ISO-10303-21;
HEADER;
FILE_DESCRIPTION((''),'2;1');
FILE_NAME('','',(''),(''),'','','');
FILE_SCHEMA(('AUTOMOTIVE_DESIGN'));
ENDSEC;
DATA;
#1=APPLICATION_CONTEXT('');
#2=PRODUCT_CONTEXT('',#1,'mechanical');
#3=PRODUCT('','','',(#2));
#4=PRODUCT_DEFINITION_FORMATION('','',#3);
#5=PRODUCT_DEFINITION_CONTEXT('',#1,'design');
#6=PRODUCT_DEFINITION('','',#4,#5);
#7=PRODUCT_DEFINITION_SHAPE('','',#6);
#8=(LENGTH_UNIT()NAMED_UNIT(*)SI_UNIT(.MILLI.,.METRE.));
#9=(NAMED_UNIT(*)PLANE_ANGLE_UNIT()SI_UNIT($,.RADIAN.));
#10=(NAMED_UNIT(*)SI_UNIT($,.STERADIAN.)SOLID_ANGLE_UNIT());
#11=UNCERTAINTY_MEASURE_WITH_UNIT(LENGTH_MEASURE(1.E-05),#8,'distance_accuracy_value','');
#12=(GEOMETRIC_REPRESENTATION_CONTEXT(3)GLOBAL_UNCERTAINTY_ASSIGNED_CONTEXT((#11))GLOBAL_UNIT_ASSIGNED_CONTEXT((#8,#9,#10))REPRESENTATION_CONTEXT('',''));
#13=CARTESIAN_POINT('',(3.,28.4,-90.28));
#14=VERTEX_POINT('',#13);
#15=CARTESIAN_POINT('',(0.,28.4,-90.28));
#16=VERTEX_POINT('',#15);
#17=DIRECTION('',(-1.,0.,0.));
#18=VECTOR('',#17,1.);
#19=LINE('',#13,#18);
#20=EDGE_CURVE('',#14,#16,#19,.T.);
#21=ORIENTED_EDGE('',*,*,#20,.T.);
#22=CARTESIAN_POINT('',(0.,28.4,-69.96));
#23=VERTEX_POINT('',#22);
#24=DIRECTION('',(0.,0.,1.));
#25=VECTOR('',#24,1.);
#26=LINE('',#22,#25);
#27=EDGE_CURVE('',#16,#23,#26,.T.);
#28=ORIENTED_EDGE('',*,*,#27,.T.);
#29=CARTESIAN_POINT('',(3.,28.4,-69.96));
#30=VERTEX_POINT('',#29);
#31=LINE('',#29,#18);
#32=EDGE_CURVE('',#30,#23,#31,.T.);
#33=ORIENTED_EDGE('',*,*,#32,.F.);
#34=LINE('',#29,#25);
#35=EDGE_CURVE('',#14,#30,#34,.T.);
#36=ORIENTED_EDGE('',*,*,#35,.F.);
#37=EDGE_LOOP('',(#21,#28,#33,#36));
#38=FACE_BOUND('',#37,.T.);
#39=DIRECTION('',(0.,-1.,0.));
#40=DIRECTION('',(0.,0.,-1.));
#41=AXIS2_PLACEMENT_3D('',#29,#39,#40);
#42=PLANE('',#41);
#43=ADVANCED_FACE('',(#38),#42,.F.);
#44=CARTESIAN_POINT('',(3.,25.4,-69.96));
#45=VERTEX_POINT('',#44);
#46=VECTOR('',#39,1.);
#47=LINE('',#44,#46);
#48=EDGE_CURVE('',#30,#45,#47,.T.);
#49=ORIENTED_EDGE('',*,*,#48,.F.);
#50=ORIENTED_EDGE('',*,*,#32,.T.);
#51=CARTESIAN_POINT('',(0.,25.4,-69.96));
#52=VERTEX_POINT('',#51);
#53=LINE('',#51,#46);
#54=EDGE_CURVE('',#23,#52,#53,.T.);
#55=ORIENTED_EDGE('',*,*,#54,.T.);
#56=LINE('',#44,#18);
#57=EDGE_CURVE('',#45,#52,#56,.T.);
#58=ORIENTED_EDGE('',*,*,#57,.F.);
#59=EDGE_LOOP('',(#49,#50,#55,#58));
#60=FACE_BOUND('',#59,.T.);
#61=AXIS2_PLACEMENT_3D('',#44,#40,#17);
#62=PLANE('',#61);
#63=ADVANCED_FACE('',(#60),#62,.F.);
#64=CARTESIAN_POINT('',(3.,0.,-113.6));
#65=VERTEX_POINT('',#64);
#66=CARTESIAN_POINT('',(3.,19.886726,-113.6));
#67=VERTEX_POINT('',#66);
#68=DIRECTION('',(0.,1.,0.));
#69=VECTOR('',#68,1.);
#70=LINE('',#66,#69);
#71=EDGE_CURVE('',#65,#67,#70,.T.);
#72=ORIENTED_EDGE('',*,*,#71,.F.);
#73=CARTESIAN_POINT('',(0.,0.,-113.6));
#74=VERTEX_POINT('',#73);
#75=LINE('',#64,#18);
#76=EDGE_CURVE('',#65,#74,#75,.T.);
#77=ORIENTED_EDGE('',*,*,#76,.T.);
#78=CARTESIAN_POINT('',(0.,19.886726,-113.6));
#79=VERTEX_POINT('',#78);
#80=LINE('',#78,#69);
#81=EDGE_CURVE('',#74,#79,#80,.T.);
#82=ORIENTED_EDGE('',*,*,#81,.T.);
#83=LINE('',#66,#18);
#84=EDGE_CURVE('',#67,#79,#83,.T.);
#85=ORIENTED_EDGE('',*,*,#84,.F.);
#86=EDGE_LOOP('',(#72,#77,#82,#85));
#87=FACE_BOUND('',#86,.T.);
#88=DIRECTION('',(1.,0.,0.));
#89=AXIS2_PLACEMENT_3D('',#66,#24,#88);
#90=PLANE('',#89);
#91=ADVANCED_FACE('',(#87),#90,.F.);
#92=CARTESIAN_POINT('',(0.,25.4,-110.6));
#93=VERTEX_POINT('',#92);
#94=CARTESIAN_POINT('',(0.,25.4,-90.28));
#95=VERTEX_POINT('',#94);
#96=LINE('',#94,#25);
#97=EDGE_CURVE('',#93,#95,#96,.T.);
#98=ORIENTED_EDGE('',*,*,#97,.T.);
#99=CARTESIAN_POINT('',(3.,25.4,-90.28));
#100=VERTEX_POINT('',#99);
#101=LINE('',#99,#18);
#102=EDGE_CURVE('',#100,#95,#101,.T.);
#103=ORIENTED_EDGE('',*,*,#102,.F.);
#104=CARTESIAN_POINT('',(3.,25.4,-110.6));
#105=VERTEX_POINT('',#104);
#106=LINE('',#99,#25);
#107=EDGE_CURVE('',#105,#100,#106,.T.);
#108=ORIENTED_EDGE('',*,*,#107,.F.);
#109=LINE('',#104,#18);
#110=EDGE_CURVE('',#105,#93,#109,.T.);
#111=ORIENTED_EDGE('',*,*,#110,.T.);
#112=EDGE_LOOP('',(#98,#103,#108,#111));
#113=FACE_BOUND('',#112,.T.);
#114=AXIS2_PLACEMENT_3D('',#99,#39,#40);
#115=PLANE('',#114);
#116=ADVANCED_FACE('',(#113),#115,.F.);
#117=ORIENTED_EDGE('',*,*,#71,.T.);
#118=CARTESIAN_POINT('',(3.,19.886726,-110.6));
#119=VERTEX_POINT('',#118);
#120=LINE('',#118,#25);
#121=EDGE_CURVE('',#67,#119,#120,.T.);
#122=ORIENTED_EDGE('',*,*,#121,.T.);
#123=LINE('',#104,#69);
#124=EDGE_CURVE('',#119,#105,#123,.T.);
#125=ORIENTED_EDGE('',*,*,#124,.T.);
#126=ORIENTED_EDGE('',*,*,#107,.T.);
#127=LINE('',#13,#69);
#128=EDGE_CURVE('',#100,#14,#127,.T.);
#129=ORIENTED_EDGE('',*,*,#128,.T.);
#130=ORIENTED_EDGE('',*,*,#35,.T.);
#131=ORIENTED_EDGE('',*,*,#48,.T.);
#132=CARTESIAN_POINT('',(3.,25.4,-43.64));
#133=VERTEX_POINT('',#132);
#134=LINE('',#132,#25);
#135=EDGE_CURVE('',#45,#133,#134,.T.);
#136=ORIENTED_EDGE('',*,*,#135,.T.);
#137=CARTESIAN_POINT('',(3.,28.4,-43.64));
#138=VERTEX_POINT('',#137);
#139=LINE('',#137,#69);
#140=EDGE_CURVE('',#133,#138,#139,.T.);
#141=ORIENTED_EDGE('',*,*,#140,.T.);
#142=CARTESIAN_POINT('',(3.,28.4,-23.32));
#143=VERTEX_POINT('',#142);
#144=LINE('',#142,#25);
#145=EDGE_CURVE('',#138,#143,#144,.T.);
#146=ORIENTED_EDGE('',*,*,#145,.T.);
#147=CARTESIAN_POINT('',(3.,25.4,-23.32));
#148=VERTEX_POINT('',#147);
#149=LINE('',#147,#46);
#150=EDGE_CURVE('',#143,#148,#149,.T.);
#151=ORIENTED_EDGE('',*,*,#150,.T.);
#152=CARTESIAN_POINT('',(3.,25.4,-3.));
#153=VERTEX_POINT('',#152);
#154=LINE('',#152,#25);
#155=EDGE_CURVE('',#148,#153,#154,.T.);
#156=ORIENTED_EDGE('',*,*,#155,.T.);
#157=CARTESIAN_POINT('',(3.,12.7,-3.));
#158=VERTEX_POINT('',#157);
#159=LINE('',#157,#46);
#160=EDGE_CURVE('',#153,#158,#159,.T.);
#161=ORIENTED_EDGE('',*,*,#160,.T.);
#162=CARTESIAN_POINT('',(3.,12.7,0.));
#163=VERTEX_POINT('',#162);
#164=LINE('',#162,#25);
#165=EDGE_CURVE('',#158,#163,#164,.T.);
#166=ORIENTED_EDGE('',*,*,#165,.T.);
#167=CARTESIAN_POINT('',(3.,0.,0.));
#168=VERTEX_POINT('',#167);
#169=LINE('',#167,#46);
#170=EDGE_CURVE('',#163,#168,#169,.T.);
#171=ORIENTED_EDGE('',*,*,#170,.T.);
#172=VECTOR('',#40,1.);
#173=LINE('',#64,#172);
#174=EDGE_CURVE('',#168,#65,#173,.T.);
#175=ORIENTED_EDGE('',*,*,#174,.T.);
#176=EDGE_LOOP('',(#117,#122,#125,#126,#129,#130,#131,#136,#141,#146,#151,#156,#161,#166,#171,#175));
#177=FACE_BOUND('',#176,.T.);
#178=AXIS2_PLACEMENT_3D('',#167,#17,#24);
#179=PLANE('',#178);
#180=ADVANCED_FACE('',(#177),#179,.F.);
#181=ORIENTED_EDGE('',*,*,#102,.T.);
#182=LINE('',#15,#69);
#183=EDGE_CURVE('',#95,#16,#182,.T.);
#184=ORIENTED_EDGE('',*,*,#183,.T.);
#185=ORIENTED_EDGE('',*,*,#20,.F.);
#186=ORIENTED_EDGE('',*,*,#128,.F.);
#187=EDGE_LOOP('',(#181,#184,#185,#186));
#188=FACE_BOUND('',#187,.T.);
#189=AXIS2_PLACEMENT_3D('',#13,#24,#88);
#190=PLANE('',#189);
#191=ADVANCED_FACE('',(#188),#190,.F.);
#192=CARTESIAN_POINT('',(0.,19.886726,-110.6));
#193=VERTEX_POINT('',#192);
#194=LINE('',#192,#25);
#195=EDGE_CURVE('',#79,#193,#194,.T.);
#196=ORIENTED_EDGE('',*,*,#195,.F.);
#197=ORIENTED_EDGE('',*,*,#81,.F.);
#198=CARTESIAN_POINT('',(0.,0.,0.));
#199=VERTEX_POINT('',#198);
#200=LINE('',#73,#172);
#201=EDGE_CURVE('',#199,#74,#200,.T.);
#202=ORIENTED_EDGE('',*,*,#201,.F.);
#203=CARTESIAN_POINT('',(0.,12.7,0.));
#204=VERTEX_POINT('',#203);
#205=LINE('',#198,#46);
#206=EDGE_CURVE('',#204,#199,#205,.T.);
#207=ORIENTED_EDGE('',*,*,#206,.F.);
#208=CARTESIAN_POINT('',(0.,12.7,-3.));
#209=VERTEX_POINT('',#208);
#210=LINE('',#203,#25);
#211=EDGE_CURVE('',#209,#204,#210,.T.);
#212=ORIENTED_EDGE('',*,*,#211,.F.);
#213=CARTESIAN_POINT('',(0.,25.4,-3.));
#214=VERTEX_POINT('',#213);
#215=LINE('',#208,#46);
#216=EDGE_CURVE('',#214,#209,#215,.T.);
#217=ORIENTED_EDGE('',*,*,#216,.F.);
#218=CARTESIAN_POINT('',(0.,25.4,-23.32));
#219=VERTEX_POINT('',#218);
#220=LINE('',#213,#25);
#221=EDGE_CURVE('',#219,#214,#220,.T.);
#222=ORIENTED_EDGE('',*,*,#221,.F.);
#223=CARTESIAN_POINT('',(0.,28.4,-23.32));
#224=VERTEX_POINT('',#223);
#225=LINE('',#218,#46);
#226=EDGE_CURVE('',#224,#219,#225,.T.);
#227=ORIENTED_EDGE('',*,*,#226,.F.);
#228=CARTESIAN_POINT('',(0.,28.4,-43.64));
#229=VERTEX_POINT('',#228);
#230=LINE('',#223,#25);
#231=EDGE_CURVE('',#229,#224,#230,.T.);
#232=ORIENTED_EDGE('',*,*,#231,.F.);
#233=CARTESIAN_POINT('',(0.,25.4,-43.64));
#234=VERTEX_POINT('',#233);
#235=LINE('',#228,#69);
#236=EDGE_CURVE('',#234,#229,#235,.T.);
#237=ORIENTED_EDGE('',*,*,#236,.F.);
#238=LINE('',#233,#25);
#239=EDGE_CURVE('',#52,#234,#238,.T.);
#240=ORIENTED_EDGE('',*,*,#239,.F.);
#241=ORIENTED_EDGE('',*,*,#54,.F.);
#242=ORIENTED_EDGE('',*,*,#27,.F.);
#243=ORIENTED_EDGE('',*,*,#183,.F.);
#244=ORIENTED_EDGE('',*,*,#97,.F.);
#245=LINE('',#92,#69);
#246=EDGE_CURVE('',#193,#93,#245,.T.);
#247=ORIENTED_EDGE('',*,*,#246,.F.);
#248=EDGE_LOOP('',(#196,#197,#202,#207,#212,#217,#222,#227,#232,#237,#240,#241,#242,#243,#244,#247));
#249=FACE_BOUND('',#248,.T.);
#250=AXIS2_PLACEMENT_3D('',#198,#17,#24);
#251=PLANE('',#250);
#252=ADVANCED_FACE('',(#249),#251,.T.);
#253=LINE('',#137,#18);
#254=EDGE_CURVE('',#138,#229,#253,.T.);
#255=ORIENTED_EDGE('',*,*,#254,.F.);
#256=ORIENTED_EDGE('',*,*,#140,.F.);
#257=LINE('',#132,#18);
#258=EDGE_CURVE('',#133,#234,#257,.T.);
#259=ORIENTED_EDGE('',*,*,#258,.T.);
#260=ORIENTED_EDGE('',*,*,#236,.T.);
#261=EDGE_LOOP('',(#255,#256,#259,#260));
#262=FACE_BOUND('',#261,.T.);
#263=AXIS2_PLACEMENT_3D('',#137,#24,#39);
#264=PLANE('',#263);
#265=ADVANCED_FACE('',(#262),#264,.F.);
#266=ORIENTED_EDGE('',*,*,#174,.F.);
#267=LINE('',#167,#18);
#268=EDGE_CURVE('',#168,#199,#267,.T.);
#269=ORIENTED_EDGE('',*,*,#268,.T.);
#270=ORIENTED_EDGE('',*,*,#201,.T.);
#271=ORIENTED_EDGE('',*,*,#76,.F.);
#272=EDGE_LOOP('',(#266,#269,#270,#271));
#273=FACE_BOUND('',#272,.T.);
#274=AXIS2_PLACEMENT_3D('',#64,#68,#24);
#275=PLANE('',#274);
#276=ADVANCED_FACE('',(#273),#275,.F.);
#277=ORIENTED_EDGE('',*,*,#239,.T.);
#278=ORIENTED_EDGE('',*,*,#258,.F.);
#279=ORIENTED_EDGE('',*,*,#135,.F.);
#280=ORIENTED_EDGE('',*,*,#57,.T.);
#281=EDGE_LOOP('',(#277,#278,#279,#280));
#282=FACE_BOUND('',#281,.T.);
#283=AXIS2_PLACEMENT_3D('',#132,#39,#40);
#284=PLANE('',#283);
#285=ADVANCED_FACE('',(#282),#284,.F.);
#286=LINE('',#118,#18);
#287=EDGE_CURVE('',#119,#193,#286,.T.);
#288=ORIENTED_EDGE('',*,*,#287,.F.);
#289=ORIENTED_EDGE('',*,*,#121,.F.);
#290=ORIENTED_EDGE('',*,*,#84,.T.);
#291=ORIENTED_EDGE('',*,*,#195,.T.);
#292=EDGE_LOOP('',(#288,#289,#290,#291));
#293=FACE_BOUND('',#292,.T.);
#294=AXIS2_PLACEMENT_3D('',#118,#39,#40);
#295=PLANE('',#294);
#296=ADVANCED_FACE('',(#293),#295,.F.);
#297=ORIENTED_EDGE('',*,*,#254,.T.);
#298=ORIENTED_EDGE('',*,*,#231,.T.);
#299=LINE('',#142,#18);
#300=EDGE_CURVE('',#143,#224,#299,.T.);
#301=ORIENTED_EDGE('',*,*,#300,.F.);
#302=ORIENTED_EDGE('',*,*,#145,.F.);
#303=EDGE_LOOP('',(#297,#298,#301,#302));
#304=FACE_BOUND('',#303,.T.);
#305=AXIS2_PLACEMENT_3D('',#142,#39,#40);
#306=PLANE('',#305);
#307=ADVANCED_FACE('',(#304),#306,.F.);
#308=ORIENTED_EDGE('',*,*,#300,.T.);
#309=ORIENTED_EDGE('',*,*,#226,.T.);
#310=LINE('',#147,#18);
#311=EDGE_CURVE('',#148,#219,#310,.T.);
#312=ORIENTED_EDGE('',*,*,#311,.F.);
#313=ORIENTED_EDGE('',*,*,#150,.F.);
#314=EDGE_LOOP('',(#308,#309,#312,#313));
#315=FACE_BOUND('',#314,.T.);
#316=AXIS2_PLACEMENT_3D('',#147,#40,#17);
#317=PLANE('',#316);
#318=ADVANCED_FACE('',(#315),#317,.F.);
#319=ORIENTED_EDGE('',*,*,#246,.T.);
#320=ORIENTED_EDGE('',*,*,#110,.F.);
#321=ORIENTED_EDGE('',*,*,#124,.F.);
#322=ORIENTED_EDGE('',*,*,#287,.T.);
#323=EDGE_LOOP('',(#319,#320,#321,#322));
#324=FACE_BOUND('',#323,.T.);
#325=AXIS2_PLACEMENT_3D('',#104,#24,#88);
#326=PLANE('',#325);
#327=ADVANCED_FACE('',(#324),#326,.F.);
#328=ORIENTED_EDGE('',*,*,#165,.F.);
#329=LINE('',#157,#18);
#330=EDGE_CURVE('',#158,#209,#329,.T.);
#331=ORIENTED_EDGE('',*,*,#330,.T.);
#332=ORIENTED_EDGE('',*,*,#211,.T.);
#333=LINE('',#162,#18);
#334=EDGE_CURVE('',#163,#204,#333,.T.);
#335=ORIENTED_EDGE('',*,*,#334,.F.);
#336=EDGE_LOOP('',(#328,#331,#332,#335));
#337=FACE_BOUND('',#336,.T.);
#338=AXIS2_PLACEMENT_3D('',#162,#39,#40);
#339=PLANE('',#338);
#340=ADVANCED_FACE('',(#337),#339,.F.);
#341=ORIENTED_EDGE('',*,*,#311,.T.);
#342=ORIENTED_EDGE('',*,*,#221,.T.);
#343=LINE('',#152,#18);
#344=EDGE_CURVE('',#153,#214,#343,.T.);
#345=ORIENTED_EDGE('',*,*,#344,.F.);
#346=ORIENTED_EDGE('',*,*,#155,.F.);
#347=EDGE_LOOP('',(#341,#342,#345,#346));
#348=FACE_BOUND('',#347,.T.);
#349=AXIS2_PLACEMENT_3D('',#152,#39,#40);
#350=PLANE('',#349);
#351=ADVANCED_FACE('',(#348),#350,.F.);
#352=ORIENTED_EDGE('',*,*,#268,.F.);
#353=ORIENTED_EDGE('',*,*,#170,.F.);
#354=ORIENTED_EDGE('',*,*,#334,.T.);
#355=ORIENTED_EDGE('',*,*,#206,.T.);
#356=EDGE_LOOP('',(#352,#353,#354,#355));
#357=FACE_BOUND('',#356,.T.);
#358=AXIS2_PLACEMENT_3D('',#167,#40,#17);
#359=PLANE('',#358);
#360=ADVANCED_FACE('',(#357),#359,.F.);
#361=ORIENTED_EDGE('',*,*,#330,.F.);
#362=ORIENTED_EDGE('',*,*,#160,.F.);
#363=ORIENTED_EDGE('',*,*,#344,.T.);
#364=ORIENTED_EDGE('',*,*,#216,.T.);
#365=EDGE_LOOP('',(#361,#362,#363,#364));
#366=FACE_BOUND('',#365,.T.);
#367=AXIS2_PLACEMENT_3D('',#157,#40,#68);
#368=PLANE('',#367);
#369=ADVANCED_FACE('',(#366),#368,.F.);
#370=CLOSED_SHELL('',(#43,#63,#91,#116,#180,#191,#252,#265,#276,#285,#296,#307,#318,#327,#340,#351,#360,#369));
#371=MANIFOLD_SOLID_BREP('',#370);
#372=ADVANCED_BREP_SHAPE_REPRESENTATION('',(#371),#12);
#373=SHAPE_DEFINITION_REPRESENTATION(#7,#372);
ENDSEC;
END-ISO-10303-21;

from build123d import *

# Parameters (mm, degrees)
SALIENTE_EXTRUIR1_DEPTH = 3


with BuildPart() as part:
    # Croquis1 → Saliente-Extruir1 (new body)
    with BuildSketch(Plane(origin=(0, 0, 0), x_dir=(0, 0, -1), z_dir=(1, 0, 0))):
        Polygon((0, 0), (0, 12.7), (3, 12.7), (3, 25.4), (23.32, 25.4), (23.32, 28.4), (43.64, 28.4), (43.64, 25.4), (69.96, 25.4), (69.96, 28.4), (90.28, 28.4), (90.28, 25.4), (110.6, 25.4), (110.6, 19.886725664), (113.6, 19.886725664), (113.6, 0), align=None)
    extrude(amount=SALIENTE_EXTRUIR1_DEPTH)


solid = part.part
